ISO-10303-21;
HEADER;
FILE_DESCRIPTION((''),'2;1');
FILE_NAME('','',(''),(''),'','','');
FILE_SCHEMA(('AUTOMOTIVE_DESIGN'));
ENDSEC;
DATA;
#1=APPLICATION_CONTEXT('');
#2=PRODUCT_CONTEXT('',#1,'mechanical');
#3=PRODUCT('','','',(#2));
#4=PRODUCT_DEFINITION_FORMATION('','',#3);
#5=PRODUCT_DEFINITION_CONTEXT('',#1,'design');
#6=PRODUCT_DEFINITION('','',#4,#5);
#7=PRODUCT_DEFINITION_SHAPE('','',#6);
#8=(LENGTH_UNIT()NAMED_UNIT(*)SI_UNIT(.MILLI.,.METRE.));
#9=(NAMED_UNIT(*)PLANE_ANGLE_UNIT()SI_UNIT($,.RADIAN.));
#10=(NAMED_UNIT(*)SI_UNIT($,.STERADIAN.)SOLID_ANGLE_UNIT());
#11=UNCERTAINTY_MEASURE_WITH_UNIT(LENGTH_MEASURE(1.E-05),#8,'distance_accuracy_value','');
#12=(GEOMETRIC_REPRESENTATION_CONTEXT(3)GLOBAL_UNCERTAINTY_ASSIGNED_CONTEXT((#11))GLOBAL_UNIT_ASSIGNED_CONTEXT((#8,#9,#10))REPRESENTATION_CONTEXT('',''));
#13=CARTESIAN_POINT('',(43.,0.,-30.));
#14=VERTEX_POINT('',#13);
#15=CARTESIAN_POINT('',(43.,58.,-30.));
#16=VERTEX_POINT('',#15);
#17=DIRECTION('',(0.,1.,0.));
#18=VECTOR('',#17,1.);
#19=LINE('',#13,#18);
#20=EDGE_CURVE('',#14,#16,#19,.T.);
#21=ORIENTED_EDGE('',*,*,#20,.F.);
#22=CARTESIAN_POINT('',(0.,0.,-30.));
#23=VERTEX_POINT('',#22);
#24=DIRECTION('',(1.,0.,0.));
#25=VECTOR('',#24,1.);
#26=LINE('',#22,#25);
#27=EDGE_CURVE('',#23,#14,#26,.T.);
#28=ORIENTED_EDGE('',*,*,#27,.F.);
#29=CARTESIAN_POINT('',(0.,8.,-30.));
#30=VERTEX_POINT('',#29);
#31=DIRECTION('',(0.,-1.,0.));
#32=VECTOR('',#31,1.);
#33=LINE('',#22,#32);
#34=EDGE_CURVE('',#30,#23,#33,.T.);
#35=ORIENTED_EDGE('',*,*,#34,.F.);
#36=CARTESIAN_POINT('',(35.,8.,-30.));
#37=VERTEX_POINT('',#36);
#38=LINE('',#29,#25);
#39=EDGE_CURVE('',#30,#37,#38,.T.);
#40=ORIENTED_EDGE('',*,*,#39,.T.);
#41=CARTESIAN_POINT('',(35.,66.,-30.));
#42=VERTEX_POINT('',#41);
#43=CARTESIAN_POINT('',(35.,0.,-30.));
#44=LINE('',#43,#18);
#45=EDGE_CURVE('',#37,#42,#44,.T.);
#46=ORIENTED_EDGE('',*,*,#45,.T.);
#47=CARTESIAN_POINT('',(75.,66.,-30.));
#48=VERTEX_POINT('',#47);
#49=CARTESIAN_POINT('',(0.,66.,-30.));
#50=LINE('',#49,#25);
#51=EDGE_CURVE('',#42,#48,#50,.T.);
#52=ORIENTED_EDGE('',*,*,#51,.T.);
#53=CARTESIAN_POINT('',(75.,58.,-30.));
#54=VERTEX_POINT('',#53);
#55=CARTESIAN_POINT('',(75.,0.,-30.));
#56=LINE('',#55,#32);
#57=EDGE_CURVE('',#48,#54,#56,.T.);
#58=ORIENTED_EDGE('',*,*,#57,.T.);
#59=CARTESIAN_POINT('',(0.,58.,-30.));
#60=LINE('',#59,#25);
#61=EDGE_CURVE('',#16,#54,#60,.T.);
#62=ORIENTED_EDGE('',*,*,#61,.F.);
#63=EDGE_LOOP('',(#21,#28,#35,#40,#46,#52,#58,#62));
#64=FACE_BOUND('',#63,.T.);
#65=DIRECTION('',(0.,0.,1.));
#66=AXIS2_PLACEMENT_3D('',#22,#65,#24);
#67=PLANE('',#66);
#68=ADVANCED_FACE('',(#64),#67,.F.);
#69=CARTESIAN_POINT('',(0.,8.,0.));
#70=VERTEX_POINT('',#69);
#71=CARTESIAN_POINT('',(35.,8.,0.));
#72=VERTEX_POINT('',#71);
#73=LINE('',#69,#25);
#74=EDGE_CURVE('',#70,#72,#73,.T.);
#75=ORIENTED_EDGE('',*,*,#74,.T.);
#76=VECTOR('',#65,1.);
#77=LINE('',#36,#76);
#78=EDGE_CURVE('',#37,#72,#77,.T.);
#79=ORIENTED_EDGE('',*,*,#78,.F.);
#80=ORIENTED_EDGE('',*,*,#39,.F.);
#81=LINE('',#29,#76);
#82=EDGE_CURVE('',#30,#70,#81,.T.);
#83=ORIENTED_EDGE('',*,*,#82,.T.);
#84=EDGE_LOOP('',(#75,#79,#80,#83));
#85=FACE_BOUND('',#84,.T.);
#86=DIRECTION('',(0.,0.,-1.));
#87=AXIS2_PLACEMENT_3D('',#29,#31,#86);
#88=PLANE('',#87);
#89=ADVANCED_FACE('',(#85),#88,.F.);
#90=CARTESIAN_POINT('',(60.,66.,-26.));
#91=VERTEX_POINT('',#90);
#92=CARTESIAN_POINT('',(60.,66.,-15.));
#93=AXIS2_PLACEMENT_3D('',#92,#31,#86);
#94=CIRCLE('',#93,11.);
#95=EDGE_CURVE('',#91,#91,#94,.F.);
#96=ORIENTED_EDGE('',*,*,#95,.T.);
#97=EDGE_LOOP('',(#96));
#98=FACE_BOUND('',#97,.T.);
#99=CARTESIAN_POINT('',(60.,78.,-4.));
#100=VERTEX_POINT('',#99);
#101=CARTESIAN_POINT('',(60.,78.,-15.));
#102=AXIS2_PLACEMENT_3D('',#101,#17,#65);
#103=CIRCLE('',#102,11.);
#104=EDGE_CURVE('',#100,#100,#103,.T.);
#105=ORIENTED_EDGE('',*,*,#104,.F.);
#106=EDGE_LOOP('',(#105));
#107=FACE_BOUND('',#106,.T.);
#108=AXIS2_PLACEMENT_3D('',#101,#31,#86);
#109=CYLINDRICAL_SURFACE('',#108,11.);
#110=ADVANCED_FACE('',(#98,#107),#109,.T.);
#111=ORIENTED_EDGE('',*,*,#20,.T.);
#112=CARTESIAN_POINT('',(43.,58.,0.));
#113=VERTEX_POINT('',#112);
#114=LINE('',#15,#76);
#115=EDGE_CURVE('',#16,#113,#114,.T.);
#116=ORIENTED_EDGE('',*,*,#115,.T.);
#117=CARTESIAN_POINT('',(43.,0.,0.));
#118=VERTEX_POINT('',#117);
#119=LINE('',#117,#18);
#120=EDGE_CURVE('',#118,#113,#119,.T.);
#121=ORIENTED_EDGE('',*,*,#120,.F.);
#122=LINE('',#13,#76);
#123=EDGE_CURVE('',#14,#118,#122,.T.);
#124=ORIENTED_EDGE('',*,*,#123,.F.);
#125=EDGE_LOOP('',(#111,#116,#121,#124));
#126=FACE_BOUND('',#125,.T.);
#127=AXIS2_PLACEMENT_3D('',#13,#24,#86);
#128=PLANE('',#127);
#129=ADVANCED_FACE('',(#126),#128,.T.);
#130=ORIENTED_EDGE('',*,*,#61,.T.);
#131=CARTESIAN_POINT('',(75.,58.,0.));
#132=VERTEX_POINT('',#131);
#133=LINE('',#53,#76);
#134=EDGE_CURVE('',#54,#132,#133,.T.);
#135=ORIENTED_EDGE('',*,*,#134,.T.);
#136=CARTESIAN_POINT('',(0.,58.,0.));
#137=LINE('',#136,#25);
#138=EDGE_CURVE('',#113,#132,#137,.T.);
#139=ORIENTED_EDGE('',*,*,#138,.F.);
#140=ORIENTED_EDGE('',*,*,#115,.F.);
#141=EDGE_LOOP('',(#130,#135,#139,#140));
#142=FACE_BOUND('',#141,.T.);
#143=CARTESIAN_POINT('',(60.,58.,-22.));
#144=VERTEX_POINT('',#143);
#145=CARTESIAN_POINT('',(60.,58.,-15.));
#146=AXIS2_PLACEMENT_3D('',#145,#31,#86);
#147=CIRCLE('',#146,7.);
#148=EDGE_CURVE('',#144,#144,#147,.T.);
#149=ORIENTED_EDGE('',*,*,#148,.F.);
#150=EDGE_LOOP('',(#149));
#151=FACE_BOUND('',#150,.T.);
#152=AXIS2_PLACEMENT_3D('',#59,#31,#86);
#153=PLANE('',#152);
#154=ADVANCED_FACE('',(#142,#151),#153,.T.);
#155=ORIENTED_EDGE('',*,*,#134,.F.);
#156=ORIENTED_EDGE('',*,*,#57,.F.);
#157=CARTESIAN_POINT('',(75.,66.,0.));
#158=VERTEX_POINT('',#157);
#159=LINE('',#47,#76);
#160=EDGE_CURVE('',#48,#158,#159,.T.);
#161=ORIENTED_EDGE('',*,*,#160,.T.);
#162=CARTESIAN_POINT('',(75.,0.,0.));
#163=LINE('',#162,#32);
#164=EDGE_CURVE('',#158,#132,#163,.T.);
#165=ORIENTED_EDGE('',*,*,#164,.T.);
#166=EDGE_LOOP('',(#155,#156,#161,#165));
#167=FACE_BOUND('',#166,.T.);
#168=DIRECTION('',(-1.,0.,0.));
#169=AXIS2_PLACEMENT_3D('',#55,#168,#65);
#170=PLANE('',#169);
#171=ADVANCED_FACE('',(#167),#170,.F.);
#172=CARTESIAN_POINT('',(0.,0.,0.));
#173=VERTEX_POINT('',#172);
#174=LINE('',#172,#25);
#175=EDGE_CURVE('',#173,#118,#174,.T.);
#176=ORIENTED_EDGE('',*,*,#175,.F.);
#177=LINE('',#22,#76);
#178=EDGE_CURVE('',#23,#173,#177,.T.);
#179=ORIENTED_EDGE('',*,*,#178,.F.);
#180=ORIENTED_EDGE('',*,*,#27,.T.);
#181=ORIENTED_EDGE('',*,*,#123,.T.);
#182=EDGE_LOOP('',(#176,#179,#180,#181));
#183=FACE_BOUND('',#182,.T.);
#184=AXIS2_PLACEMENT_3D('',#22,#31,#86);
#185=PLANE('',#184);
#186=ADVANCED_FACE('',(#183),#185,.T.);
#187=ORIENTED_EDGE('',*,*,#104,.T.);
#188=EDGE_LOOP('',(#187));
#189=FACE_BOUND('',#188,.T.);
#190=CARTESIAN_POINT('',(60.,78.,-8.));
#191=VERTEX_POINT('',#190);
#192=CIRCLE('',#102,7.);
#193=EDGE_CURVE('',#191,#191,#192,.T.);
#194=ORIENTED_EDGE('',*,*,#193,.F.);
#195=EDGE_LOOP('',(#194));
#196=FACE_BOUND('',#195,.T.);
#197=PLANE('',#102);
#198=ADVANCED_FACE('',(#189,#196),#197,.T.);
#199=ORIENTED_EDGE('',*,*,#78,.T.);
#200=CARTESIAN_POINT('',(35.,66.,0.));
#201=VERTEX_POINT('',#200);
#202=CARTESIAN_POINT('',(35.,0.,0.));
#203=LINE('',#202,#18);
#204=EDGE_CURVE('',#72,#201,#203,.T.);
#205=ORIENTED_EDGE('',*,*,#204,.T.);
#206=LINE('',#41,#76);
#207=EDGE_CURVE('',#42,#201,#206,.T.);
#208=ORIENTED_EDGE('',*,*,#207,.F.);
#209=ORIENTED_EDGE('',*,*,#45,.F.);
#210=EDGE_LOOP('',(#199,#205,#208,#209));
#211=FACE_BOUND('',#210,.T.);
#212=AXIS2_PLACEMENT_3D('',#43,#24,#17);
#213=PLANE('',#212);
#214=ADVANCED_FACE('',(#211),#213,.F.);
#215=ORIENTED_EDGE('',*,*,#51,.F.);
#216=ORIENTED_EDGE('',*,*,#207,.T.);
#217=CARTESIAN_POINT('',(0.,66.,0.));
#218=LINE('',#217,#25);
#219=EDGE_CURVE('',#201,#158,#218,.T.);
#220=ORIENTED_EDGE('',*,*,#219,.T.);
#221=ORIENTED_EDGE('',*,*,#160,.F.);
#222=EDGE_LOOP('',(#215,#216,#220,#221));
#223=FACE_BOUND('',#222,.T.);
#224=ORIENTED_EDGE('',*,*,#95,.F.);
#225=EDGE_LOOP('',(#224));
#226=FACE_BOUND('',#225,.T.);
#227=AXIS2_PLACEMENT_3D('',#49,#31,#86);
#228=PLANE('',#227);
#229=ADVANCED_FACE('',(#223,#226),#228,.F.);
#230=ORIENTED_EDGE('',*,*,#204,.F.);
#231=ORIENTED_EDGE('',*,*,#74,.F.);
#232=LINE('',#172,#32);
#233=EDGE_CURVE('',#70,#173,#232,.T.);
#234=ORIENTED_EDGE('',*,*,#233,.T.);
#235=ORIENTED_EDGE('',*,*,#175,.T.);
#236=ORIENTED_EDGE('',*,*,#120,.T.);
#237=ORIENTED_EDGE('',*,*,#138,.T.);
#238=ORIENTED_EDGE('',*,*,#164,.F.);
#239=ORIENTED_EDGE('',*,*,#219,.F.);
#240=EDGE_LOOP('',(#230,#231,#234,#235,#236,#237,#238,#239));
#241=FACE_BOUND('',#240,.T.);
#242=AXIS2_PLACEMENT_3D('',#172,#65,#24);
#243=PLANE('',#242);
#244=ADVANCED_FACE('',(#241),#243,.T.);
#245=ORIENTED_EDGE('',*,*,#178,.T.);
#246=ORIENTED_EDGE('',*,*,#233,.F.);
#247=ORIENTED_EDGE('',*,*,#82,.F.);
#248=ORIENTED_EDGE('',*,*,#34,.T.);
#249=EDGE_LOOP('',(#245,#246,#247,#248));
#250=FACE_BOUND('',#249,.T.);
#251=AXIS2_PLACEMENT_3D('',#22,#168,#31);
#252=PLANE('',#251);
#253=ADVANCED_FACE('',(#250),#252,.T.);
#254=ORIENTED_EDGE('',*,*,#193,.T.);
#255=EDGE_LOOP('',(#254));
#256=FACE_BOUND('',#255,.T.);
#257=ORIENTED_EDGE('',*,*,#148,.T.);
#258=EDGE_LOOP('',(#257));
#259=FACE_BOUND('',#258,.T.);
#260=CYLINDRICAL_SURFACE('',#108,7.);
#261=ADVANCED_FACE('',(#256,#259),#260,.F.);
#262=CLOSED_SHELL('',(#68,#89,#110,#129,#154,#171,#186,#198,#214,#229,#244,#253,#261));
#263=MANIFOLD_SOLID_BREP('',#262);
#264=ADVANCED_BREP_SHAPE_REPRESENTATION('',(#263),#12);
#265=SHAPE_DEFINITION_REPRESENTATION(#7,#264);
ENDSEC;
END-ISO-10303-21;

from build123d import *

# Parameters (mm, degrees)
BOSS_EXTRUDE3_DEPTH = 30
SKETCH6_R           = 11
SKETCH6_R_2         = 7
BOSS_EXTRUDE4_DEPTH = 12
CUT_EXTRUDE1_START  = -20
SKETCH7_R           = 7
CUT_EXTRUDE1_DEPTH  = 20


with BuildPart() as part:
    # Sketch3 → Boss-Extrude3 (new body)
    with BuildSketch(Plane.XY):
        Polygon((0, 8), (35, 8), (35, 66), (75, 66), (75, 58), (43, 58), (43, 0), (0, 0), align=None)
    extrude(amount=-BOSS_EXTRUDE3_DEPTH)

    # Sketch6 → Boss-Extrude4 (add)
    with BuildSketch(Plane(origin=(0, 66, 0), x_dir=(1, 0, 0), z_dir=(0, 1, 0))):
        with Locations(Location((60, 15, 0), (0, 0, 90))):
            Circle(SKETCH6_R)
        with Locations(Location((60, 15, 0), (0, 0, 270))):
            Circle(SKETCH6_R_2, mode=Mode.SUBTRACT)
    extrude(amount=BOSS_EXTRUDE4_DEPTH)

    # Sketch7 → Cut-Extrude1 (cut)
    with BuildSketch(Plane(origin=(0, 66, 0), x_dir=(1, 0, 0), z_dir=(0, 1, 0)).offset(CUT_EXTRUDE1_START)):
        with Locations(Location((60, 15, 0), (0, 0, 90))):
            Circle(SKETCH7_R)
    extrude(amount=CUT_EXTRUDE1_DEPTH, mode=Mode.SUBTRACT)


solid = part.part
